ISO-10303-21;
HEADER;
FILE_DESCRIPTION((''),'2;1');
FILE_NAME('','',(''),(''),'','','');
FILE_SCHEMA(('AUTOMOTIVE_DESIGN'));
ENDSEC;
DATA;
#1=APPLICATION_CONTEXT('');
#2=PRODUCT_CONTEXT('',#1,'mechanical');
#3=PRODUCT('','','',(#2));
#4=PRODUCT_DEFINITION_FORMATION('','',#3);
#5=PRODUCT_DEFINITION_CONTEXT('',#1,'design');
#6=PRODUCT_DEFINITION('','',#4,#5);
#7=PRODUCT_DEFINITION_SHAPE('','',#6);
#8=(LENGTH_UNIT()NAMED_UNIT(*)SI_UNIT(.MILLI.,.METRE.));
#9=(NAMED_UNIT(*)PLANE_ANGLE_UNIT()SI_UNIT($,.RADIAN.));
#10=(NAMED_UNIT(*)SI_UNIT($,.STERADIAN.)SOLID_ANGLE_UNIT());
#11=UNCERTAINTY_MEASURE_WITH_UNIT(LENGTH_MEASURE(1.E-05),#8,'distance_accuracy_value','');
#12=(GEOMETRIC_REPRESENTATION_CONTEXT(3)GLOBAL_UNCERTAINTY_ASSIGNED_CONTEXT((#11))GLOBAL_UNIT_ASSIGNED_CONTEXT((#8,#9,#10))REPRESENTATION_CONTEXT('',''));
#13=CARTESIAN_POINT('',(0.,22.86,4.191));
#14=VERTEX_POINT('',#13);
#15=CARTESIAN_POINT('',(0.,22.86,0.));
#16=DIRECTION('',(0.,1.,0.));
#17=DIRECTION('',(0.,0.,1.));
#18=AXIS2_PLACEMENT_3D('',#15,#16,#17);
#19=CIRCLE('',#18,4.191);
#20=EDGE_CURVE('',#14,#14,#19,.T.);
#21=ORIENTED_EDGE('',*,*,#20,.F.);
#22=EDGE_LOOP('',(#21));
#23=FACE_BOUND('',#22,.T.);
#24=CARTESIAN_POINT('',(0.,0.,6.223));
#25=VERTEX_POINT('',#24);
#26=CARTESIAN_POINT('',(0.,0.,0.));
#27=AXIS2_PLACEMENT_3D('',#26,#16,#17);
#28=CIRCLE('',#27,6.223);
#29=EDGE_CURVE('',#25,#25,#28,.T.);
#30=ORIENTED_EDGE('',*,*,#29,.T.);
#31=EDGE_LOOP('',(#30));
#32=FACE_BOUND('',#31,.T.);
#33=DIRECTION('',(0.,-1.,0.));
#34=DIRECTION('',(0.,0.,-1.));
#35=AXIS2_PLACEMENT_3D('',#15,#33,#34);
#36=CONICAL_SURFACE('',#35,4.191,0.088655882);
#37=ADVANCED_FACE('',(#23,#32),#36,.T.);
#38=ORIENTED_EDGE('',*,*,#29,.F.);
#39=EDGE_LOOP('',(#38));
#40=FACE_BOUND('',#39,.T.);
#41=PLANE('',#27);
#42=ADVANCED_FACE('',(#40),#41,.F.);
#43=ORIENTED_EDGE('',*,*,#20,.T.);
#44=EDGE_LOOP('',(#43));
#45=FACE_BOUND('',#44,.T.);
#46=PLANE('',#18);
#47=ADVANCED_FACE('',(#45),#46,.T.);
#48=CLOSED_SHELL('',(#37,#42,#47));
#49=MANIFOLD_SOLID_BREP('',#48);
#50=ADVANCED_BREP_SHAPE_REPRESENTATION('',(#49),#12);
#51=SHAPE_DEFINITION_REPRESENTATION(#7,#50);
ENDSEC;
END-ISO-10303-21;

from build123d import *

# Parameters (mm, degrees)
SKETCH2_R = 4.191
SKETCH1_R = 6.223


with BuildPart() as part:
    # Sketch2 → Loft1 section 0
    with BuildSketch(Plane(origin=(0, 22.86, 0), x_dir=(1, 0, 0), z_dir=(0, 1, 0))):
        Circle(SKETCH2_R)
    # Sketch1 → Loft1 section 1
    with BuildSketch(Plane(origin=(0, 0, 0), x_dir=(1, 0, 0), z_dir=(0, 1, 0))):
        Circle(SKETCH1_R)
    loft()


solid = part.part
